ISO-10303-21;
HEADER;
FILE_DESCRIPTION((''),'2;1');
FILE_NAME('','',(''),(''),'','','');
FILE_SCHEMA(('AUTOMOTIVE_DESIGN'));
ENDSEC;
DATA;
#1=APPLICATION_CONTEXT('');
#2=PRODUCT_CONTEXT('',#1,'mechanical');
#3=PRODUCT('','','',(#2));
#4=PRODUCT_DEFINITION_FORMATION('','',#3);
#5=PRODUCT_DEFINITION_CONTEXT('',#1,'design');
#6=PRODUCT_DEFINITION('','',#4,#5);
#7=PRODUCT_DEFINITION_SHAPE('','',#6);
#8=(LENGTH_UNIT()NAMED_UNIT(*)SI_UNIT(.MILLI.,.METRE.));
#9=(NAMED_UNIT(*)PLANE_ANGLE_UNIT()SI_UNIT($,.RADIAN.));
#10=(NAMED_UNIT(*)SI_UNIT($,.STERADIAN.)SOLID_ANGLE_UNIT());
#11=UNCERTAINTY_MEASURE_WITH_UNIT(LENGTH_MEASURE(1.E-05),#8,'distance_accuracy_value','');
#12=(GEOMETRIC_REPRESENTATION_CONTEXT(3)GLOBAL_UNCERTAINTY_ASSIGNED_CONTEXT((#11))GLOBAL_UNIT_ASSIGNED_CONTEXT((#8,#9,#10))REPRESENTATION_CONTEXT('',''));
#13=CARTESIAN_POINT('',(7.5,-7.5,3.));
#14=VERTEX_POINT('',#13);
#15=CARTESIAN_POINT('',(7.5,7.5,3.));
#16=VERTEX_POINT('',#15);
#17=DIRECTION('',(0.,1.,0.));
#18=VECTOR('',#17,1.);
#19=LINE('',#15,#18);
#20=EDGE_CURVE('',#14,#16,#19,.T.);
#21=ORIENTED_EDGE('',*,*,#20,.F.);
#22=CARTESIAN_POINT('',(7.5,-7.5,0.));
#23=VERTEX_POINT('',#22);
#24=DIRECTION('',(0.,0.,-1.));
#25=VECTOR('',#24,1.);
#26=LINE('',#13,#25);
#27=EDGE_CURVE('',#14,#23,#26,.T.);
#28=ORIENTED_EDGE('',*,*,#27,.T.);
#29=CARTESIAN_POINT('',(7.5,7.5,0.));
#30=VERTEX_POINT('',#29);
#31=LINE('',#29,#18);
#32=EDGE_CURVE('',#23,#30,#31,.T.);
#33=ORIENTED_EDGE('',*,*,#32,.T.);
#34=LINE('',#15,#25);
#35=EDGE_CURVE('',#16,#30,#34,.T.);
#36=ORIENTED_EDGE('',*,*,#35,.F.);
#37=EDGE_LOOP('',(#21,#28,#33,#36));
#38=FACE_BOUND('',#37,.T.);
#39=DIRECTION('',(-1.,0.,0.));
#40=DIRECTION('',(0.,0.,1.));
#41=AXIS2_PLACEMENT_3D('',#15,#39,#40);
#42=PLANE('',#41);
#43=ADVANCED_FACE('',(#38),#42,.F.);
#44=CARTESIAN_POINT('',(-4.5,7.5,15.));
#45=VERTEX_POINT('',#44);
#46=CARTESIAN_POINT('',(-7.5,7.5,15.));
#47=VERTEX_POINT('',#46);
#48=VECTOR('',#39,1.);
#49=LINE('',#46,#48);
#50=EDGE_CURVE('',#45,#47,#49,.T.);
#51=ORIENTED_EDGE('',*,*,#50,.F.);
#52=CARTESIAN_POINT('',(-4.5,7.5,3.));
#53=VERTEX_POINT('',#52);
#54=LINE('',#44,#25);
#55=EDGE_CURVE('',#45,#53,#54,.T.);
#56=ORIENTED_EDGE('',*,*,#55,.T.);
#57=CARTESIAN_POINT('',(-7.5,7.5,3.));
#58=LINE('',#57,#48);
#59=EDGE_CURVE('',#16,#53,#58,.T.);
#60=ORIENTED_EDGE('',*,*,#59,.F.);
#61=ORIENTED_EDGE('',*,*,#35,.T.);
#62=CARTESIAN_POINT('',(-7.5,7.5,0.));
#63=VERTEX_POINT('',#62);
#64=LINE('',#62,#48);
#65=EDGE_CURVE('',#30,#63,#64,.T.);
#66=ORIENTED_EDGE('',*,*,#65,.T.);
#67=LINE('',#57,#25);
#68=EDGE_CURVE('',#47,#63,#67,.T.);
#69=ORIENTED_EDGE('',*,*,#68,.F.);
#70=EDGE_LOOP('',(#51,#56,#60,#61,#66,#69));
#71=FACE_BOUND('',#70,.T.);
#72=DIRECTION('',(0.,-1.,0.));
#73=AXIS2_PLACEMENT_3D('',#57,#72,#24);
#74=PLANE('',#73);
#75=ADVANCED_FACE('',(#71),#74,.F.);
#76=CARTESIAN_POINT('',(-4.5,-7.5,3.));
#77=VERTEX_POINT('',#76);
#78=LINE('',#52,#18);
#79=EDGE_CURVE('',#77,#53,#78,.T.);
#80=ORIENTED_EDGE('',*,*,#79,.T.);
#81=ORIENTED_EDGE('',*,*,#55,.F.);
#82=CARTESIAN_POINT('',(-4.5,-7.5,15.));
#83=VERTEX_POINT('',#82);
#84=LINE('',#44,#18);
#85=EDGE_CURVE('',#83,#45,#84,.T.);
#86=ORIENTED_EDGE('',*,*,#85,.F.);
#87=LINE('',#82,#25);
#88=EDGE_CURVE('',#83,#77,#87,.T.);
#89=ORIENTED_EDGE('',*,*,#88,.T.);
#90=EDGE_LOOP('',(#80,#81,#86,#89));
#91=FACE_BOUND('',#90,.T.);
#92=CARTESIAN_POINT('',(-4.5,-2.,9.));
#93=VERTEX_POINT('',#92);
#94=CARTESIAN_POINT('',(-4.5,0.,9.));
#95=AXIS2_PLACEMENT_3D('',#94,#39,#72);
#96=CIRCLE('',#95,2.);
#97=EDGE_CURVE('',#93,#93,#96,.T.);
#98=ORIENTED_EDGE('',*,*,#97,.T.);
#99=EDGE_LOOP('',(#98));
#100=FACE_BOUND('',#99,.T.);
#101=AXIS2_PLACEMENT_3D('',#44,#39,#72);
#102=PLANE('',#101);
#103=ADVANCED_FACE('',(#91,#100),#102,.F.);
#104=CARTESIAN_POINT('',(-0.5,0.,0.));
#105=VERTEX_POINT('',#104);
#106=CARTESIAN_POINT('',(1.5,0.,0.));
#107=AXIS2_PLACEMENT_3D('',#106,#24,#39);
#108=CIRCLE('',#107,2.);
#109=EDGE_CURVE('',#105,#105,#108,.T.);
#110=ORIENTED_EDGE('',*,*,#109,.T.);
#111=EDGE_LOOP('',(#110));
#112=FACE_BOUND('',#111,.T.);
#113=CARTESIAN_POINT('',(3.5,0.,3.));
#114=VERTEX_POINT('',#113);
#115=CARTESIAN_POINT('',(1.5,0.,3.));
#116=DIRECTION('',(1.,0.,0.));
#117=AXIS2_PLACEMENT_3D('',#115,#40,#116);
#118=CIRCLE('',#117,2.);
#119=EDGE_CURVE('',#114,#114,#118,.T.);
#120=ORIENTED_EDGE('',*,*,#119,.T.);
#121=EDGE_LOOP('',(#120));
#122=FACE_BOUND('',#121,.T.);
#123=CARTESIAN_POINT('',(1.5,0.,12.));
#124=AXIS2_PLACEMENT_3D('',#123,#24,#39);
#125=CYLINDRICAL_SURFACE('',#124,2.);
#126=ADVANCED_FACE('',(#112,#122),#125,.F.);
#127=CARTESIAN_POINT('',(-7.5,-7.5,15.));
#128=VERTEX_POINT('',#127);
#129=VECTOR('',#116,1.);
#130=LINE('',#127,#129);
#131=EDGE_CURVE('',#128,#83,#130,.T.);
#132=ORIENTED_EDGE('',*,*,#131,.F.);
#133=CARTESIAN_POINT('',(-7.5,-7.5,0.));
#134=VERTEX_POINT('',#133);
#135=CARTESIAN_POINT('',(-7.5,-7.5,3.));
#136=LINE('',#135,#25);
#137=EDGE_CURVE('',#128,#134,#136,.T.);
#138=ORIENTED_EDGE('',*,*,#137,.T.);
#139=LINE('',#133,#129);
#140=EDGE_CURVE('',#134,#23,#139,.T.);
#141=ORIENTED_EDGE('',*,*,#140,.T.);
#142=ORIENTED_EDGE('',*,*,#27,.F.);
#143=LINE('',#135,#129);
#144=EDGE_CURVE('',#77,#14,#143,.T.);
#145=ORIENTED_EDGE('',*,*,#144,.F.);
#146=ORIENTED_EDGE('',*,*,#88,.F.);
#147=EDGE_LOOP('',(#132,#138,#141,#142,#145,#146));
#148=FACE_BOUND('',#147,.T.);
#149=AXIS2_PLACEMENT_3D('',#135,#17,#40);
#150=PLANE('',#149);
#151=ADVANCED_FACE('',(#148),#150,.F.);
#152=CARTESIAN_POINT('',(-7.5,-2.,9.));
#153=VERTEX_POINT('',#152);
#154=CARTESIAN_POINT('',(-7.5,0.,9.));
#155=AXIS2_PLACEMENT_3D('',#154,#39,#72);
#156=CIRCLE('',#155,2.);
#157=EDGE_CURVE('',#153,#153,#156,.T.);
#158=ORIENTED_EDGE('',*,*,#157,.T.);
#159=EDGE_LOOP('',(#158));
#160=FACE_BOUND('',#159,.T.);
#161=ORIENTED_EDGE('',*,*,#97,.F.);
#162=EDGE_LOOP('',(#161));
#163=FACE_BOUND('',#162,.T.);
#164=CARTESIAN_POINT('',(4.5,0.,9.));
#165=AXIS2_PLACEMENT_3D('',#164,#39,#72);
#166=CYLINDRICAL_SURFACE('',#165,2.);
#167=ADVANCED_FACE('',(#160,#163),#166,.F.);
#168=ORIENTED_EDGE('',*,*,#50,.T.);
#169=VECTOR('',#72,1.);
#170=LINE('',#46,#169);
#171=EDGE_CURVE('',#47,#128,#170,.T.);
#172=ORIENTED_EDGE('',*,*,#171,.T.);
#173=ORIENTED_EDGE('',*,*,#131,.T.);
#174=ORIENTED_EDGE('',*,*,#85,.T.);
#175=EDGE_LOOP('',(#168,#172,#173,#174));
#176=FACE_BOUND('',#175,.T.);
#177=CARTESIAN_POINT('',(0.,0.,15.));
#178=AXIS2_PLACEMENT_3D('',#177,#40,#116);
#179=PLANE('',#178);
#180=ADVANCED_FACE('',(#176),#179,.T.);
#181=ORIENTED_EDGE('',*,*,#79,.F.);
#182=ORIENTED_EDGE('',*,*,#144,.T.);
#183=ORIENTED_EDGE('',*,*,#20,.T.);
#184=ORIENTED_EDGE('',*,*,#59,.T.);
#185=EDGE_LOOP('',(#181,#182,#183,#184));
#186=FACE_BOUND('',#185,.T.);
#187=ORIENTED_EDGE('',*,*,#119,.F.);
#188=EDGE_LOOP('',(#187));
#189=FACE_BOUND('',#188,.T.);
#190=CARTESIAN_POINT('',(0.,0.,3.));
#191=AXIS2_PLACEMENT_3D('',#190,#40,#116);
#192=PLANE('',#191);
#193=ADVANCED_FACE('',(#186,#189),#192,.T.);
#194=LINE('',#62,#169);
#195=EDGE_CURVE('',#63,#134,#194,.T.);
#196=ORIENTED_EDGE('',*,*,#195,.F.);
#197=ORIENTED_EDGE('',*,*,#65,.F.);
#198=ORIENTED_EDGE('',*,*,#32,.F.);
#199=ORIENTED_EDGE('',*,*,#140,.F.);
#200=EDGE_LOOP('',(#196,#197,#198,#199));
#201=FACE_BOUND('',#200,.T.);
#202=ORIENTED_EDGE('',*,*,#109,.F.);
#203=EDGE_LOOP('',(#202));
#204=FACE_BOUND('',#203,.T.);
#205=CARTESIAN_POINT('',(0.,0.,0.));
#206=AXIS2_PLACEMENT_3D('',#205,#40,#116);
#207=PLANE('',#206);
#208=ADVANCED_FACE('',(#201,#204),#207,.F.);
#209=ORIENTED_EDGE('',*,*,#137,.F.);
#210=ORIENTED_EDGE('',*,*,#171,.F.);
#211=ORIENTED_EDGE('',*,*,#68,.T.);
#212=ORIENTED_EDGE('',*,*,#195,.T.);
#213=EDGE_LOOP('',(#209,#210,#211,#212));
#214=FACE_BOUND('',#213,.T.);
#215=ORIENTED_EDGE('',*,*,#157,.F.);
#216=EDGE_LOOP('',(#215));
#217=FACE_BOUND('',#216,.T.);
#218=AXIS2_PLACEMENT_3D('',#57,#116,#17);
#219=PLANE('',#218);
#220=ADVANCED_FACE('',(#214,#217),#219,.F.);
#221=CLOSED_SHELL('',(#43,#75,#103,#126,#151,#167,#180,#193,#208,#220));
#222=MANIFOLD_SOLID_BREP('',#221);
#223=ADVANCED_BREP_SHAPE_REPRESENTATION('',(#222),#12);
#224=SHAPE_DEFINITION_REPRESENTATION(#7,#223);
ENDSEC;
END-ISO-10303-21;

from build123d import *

# Parameters (mm, degrees)
SKETCH1_W           = 15
SKETCH1_H           = 15
BOSS_EXTRUDE1_DEPTH = 3
SKETCH2_W           = 3
SKETCH2_H           = 15
BOSS_EXTRUDE2_DEPTH = 12
SKETCH3_R           = 2
CUT_EXTRUDE1_DEPTH  = 12
SKETCH4_R           = 2
CUT_EXTRUDE2_DEPTH  = 12


with BuildPart() as part:
    # Sketch1 → Boss-Extrude1 (new body)
    with BuildSketch(Plane.XY):
        Rectangle(SKETCH1_W, SKETCH1_H)
    extrude(amount=BOSS_EXTRUDE1_DEPTH)

    # Sketch2 → Boss-Extrude2 (add)
    with BuildSketch(Plane.XY.offset(3)):
        with Locations((-6, 0)):
            Rectangle(SKETCH2_W, SKETCH2_H)
    extrude(amount=BOSS_EXTRUDE2_DEPTH)

    # Sketch3 → Cut-Extrude1 (cut)
    with BuildSketch(Plane(origin=(0, 0, 0), x_dir=(-1, 0, 0), z_dir=(0, 0, -1))):
        with Locations((-1.5, 0)):
            Circle(SKETCH3_R)
    extrude(amount=-CUT_EXTRUDE1_DEPTH, mode=Mode.SUBTRACT)

    # Sketch4 → Cut-Extrude2 (cut)
    with BuildSketch(Plane.ZY.offset(7.5)):
        with Locations(Location((9, 0, 0), (0, 0, 270))):
            Circle(SKETCH4_R)
    extrude(amount=-CUT_EXTRUDE2_DEPTH, mode=Mode.SUBTRACT)


solid = part.part
